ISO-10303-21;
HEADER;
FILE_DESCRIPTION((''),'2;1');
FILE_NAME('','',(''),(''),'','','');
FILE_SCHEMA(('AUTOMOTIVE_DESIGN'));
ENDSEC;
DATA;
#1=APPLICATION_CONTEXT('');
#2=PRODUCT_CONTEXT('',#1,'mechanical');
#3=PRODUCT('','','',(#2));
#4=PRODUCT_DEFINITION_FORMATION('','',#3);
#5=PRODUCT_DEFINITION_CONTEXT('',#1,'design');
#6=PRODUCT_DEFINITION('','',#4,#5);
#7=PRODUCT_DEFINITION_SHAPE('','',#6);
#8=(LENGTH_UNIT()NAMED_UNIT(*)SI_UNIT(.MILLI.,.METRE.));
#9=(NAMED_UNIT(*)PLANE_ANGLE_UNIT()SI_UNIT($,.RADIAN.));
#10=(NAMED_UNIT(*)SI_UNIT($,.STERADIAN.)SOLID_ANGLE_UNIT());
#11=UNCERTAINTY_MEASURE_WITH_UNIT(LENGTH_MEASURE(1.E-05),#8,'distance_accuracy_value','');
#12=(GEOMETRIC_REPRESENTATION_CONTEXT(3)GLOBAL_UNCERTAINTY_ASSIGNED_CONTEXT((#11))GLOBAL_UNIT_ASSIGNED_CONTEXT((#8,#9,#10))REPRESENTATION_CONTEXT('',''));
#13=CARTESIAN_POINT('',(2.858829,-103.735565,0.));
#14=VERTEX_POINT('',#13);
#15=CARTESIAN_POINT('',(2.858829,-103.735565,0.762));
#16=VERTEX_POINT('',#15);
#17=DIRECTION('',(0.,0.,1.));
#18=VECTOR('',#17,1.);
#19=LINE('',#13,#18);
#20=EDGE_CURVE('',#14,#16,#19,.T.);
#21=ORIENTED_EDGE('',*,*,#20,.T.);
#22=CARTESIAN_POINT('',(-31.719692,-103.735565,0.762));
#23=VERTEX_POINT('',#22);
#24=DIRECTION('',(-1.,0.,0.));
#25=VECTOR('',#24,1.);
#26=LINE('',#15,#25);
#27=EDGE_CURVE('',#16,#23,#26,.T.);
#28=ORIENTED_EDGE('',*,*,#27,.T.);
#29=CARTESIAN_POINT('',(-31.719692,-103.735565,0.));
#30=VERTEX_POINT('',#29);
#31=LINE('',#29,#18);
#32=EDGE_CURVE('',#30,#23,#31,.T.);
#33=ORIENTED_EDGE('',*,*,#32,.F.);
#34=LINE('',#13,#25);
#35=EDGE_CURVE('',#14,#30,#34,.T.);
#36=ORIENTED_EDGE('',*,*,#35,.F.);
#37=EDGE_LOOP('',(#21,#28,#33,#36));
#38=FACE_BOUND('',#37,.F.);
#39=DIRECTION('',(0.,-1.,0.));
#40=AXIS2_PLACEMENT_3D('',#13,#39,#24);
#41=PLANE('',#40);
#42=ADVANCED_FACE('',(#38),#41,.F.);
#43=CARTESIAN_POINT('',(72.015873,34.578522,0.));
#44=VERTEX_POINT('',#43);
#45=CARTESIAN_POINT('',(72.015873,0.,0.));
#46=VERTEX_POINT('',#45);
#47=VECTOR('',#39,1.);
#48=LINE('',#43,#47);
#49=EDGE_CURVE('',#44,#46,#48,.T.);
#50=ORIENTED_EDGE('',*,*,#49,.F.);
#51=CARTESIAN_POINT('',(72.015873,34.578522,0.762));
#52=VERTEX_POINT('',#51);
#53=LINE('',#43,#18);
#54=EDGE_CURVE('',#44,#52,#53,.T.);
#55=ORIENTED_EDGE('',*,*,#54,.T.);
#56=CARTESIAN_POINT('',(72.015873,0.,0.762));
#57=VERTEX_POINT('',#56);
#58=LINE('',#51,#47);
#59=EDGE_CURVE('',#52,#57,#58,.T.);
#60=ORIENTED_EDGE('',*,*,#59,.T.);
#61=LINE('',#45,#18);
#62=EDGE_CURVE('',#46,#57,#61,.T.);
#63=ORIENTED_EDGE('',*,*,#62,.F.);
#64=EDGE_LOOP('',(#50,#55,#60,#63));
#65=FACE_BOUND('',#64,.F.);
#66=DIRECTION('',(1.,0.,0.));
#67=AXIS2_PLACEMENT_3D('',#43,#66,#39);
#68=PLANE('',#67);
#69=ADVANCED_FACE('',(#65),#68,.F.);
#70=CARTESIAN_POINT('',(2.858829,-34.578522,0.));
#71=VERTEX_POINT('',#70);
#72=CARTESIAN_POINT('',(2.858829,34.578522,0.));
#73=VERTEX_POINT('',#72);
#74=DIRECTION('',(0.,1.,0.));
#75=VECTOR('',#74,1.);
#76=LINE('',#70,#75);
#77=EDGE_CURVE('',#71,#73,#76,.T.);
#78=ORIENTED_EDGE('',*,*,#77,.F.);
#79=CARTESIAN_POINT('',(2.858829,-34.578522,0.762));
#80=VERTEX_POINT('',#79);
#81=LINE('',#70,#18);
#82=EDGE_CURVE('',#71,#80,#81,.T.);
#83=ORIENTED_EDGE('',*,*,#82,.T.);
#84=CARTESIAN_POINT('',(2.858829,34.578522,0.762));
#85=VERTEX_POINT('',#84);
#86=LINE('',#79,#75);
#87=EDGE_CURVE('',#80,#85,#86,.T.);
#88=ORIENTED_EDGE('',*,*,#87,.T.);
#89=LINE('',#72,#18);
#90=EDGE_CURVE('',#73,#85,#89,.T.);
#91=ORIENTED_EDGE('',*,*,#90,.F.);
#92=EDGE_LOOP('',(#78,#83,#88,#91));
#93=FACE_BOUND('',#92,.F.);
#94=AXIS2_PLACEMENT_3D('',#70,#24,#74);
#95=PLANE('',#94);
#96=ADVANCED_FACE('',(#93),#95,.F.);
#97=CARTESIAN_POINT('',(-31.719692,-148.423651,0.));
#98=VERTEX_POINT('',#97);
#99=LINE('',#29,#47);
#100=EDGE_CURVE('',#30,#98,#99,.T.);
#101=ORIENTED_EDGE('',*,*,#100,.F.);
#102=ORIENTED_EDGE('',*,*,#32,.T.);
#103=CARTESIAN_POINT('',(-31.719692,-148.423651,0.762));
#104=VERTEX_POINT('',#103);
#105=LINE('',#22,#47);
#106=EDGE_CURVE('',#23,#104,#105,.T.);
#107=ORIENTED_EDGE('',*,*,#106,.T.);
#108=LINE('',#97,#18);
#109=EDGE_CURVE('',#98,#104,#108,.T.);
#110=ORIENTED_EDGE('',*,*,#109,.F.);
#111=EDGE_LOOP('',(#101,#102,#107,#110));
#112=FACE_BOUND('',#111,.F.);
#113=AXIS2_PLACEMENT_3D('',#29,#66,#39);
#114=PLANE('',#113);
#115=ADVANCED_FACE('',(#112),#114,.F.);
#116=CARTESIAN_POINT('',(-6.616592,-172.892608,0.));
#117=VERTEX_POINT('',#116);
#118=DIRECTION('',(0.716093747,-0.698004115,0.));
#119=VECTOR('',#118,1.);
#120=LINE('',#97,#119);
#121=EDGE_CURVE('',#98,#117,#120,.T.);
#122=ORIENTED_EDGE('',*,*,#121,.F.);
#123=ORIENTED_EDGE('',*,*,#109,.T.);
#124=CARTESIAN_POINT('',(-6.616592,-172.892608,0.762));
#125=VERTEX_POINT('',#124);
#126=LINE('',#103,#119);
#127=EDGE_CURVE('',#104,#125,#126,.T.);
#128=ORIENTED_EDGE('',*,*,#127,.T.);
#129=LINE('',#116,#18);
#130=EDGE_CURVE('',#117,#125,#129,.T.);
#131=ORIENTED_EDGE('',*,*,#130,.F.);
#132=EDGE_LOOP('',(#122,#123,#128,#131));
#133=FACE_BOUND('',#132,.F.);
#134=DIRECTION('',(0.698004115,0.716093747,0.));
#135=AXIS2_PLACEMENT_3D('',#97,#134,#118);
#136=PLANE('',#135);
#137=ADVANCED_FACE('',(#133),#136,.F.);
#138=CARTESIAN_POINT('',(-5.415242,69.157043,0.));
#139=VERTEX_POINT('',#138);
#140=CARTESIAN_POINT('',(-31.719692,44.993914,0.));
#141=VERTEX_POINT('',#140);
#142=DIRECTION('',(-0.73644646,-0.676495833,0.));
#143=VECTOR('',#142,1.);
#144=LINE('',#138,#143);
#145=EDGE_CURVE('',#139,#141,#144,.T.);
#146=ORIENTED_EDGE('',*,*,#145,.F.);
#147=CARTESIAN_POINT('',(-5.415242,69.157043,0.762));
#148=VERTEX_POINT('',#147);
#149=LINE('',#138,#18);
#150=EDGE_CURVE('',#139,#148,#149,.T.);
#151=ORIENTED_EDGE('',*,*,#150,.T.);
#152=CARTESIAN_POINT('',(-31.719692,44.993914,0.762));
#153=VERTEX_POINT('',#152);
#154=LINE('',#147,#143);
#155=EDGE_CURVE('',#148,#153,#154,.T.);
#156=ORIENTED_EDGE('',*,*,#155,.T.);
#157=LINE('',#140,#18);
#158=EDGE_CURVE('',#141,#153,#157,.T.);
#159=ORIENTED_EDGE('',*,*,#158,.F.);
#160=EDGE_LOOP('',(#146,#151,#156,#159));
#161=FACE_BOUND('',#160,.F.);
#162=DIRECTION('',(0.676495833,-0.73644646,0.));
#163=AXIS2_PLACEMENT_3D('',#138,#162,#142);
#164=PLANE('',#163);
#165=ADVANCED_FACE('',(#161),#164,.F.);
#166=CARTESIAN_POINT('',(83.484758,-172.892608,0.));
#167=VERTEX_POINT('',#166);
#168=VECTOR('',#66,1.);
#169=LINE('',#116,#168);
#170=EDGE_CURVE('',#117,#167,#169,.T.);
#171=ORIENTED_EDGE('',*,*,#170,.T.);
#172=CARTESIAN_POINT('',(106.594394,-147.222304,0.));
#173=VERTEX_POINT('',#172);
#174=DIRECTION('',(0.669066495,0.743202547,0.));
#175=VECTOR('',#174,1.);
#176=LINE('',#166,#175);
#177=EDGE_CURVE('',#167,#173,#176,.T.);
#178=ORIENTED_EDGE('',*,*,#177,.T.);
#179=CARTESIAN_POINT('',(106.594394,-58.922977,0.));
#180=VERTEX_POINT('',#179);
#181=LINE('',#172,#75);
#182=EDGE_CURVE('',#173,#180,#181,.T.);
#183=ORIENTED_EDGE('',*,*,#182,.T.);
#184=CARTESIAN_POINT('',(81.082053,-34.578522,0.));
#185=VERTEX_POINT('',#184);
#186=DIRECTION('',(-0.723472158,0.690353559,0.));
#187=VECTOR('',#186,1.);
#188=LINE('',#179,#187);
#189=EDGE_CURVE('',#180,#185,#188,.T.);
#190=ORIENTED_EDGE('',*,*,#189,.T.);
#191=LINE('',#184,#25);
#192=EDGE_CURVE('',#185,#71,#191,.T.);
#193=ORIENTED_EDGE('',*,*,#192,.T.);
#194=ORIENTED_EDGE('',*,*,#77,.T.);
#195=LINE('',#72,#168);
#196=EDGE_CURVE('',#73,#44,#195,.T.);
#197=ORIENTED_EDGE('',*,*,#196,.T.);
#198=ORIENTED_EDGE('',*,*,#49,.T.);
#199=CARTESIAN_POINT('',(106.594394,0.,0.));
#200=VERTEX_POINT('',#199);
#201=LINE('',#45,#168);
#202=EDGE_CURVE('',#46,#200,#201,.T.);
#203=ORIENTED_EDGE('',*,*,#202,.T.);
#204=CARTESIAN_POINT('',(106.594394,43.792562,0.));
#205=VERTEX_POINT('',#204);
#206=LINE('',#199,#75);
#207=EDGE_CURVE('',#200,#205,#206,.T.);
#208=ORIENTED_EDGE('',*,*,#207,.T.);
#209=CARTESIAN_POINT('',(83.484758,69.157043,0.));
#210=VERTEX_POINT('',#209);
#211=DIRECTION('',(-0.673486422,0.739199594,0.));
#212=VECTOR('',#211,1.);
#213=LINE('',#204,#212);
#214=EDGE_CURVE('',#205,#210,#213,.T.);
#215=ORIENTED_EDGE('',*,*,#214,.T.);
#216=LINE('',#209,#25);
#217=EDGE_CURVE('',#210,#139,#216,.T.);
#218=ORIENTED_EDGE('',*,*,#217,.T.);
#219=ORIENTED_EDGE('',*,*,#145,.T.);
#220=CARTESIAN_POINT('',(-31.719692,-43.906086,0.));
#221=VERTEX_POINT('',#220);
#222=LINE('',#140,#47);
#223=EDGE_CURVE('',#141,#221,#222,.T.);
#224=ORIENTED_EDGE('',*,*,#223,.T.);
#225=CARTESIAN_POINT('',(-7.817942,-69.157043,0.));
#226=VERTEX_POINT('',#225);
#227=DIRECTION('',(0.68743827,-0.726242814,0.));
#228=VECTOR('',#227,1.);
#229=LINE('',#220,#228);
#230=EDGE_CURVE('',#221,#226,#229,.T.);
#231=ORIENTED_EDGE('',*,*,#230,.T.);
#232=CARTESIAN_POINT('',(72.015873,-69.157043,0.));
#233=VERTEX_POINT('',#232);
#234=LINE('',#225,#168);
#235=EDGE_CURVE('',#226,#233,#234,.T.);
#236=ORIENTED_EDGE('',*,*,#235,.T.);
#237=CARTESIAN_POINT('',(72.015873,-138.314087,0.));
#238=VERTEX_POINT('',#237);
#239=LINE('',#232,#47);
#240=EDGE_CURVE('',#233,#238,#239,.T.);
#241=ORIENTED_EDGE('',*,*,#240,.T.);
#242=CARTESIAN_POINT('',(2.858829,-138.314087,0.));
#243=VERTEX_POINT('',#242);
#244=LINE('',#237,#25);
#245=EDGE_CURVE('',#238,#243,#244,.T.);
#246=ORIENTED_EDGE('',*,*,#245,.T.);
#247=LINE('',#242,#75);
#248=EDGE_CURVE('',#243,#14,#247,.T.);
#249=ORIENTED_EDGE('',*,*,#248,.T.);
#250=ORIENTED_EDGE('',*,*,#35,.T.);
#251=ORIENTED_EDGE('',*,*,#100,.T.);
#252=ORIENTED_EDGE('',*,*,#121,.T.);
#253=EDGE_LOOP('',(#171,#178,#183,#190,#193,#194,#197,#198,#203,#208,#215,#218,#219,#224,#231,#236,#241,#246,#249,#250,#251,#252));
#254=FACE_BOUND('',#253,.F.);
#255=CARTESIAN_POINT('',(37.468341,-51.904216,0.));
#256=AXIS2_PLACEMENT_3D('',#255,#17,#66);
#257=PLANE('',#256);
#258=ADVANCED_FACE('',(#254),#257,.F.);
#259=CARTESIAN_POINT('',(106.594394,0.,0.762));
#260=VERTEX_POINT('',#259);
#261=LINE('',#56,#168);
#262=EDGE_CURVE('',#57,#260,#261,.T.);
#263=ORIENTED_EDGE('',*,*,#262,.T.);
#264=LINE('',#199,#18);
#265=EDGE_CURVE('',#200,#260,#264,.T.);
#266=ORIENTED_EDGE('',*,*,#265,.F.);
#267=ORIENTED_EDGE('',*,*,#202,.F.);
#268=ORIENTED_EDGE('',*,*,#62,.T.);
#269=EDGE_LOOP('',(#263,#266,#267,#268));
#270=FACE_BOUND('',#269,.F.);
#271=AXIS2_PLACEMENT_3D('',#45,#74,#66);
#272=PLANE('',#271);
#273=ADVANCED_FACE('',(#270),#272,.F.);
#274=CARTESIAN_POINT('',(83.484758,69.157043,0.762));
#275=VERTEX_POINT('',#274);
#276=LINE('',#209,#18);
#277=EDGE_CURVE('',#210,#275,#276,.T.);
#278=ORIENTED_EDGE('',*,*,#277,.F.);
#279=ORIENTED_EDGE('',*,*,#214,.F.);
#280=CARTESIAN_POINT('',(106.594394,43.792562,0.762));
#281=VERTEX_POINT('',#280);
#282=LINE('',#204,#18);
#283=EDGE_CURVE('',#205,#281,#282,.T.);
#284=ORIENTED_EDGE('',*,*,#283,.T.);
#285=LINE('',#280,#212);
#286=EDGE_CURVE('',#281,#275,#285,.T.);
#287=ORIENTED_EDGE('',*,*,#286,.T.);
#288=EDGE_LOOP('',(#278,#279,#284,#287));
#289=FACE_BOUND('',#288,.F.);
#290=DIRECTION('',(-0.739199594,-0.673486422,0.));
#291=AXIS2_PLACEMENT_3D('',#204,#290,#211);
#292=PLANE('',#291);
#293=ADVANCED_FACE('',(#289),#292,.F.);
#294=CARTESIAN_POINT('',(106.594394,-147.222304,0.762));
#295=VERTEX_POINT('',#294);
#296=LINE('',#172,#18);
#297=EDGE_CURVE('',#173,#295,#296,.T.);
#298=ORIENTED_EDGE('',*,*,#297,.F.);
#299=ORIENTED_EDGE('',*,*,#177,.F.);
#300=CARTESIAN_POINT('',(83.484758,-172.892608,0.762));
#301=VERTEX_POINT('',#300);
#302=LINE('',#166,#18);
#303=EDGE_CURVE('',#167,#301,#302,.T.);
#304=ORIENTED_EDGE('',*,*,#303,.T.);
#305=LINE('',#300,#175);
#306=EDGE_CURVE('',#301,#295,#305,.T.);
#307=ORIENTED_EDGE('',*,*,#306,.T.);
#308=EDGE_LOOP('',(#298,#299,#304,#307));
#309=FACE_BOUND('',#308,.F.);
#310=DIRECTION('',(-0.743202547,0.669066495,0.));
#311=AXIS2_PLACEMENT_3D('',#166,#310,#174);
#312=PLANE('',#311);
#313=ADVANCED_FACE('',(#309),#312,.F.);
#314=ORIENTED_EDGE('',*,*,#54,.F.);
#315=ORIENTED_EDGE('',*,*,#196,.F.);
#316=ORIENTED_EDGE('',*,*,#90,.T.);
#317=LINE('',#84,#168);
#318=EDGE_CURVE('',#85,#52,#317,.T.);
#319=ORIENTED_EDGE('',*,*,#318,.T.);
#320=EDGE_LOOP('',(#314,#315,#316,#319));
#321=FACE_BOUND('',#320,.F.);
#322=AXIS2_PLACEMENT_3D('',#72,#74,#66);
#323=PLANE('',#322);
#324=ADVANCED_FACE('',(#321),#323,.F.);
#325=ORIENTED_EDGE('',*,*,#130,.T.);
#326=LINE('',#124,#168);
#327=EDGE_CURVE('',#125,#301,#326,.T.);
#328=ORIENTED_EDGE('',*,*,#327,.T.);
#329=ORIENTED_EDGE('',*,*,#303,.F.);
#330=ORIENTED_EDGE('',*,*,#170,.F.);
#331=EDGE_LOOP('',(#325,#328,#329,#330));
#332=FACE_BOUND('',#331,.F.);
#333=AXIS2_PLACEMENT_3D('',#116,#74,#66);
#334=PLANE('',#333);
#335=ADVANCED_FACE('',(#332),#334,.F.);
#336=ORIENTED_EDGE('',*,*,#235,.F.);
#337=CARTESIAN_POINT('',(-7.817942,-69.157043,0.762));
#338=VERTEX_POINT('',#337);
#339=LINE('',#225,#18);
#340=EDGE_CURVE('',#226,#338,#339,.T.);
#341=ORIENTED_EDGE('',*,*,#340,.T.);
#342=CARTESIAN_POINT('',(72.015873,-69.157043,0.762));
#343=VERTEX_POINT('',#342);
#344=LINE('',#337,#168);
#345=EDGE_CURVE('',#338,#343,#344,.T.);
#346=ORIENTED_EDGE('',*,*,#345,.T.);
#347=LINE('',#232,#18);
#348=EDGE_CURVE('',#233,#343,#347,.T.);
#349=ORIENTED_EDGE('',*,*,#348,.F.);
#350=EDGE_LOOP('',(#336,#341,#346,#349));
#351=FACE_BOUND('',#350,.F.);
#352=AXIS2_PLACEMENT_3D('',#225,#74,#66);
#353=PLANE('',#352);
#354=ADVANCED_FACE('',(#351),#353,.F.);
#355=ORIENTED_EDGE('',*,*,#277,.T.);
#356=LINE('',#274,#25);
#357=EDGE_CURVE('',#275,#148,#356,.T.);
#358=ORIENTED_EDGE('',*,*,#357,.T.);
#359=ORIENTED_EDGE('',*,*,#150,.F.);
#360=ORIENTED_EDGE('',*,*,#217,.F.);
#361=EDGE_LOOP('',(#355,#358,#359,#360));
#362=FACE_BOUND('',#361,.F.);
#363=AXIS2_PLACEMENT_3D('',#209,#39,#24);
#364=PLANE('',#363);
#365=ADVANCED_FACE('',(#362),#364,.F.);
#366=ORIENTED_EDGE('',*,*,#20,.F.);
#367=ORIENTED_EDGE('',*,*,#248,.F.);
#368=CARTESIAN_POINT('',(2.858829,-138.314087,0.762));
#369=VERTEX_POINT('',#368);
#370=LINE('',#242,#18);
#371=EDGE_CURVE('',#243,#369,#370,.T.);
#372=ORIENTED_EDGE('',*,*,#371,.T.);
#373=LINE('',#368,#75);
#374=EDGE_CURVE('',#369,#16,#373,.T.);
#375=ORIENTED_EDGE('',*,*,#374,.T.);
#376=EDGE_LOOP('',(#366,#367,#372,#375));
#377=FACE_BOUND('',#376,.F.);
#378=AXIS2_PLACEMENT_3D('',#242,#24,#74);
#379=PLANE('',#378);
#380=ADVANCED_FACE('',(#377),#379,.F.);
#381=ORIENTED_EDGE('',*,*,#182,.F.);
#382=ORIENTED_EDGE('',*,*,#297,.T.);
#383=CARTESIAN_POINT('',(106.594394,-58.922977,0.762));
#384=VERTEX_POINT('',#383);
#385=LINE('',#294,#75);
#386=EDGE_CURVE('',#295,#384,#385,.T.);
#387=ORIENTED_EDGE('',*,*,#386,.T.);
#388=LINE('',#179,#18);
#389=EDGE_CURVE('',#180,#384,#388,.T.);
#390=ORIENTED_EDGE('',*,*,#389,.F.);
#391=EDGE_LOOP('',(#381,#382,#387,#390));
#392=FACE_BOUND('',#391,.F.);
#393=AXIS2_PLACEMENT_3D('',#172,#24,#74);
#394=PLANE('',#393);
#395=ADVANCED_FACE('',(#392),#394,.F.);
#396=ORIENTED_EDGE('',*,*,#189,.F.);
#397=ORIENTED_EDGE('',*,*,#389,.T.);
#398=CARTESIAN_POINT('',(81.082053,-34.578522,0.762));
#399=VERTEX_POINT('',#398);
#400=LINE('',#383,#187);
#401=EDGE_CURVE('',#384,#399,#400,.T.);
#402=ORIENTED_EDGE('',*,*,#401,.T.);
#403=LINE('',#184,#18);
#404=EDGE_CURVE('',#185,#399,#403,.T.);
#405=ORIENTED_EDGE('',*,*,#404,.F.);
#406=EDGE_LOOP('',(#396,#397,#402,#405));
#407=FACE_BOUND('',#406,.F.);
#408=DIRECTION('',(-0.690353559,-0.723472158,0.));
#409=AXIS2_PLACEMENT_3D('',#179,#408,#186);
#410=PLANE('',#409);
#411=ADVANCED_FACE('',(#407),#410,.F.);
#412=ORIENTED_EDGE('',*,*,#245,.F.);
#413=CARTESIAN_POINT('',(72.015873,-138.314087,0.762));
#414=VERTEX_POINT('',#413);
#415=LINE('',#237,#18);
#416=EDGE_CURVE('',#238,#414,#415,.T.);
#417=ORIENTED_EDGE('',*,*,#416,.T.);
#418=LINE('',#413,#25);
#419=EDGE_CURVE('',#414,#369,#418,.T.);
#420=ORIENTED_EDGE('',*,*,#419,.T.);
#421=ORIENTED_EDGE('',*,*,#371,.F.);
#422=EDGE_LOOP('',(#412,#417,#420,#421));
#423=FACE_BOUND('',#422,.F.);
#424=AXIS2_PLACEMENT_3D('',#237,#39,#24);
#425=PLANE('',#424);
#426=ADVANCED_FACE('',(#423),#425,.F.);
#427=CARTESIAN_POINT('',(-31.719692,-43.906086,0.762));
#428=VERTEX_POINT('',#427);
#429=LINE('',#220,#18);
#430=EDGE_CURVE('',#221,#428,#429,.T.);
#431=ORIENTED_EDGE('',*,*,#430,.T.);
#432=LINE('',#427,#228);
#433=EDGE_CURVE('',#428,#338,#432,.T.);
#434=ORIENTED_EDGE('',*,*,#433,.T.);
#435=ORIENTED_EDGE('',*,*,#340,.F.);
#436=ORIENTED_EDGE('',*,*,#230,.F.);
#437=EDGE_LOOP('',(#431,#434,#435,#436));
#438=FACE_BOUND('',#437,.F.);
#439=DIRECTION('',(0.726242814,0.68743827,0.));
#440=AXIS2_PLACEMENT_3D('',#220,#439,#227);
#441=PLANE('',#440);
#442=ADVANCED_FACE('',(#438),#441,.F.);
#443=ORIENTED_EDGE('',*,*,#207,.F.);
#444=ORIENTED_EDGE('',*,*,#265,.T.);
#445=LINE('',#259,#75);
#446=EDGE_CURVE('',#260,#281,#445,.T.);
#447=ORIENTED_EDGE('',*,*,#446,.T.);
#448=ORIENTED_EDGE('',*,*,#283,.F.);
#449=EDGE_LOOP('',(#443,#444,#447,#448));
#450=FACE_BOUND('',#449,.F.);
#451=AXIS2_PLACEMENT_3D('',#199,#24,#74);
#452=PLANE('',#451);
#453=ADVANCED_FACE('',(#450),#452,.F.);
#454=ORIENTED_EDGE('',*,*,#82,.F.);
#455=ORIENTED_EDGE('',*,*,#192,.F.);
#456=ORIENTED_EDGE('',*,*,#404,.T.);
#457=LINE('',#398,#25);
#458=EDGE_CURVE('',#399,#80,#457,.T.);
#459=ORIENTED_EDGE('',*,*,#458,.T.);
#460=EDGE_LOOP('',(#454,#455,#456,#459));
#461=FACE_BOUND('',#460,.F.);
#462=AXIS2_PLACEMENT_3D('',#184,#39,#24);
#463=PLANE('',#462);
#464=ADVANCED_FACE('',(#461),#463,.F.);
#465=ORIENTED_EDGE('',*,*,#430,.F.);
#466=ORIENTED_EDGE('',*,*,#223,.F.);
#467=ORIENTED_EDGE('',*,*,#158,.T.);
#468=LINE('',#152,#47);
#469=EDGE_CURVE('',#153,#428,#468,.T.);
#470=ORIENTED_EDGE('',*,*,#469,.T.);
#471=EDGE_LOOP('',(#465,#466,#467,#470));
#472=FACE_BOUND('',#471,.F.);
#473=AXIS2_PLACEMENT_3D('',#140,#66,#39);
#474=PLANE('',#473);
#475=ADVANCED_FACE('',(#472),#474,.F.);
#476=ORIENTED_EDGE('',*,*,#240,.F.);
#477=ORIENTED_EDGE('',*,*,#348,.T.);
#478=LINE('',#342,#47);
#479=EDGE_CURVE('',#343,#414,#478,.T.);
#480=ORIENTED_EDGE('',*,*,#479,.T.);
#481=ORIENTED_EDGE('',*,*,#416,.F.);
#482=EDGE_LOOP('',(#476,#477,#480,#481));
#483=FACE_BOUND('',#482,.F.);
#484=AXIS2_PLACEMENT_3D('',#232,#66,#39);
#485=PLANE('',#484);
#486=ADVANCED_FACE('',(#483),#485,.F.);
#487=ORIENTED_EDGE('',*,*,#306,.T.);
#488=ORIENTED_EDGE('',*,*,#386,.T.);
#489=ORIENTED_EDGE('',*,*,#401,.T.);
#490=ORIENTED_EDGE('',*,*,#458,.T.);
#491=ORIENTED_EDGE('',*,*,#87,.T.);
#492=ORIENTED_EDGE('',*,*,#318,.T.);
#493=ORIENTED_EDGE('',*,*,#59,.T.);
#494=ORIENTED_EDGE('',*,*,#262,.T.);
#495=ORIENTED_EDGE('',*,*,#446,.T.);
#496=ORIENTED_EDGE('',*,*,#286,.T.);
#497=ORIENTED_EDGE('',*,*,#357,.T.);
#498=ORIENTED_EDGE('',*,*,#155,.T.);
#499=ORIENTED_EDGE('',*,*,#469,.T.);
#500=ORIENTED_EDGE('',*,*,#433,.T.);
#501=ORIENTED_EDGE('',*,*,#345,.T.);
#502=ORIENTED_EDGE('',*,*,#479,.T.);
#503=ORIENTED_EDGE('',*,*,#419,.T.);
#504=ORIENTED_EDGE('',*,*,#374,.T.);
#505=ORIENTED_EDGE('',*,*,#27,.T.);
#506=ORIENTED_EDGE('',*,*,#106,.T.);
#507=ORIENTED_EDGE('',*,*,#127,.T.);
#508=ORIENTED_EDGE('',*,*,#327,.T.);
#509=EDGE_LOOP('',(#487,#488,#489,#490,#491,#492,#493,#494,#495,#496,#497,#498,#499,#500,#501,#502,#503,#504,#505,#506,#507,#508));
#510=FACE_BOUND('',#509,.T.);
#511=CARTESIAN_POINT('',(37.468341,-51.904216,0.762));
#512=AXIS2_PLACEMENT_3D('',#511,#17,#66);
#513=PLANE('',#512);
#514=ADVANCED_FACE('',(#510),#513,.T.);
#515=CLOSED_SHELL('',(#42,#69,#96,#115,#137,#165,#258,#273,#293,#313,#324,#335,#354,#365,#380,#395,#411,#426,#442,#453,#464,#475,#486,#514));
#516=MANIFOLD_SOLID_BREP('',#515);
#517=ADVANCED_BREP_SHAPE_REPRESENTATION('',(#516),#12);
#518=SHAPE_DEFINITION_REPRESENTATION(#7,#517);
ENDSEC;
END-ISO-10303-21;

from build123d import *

# Parameters (mm, degrees)
F1_DEPTH = 0.762


with BuildPart() as f1:
    # F0 (on Top) → F1 (new body)
    with BuildSketch(Plane.XY):
        Polygon((72.015873, 0), (106.594394, 0), (106.594394, 43.792562), (83.484758, 69.157043), (-5.415242, 69.157043), (-31.719692, 44.993914), (-31.719692, -43.906086), (-7.817942, -69.157043), (72.015873, -69.157043), (72.015873, -138.314087), (2.858829, -138.314087), (2.858829, -103.735565), (-31.719692, -103.735565), (-31.719692, -148.423651), (-6.616592, -172.892608), (83.484758, -172.892608), (106.594394, -147.222304), (106.594394, -58.922977), (81.082053, -34.578522), (2.858829, -34.578522), (2.858829, 34.578522), (72.015873, 34.578522), align=None)
    extrude(amount=F1_DEPTH)


solid = f1.part
